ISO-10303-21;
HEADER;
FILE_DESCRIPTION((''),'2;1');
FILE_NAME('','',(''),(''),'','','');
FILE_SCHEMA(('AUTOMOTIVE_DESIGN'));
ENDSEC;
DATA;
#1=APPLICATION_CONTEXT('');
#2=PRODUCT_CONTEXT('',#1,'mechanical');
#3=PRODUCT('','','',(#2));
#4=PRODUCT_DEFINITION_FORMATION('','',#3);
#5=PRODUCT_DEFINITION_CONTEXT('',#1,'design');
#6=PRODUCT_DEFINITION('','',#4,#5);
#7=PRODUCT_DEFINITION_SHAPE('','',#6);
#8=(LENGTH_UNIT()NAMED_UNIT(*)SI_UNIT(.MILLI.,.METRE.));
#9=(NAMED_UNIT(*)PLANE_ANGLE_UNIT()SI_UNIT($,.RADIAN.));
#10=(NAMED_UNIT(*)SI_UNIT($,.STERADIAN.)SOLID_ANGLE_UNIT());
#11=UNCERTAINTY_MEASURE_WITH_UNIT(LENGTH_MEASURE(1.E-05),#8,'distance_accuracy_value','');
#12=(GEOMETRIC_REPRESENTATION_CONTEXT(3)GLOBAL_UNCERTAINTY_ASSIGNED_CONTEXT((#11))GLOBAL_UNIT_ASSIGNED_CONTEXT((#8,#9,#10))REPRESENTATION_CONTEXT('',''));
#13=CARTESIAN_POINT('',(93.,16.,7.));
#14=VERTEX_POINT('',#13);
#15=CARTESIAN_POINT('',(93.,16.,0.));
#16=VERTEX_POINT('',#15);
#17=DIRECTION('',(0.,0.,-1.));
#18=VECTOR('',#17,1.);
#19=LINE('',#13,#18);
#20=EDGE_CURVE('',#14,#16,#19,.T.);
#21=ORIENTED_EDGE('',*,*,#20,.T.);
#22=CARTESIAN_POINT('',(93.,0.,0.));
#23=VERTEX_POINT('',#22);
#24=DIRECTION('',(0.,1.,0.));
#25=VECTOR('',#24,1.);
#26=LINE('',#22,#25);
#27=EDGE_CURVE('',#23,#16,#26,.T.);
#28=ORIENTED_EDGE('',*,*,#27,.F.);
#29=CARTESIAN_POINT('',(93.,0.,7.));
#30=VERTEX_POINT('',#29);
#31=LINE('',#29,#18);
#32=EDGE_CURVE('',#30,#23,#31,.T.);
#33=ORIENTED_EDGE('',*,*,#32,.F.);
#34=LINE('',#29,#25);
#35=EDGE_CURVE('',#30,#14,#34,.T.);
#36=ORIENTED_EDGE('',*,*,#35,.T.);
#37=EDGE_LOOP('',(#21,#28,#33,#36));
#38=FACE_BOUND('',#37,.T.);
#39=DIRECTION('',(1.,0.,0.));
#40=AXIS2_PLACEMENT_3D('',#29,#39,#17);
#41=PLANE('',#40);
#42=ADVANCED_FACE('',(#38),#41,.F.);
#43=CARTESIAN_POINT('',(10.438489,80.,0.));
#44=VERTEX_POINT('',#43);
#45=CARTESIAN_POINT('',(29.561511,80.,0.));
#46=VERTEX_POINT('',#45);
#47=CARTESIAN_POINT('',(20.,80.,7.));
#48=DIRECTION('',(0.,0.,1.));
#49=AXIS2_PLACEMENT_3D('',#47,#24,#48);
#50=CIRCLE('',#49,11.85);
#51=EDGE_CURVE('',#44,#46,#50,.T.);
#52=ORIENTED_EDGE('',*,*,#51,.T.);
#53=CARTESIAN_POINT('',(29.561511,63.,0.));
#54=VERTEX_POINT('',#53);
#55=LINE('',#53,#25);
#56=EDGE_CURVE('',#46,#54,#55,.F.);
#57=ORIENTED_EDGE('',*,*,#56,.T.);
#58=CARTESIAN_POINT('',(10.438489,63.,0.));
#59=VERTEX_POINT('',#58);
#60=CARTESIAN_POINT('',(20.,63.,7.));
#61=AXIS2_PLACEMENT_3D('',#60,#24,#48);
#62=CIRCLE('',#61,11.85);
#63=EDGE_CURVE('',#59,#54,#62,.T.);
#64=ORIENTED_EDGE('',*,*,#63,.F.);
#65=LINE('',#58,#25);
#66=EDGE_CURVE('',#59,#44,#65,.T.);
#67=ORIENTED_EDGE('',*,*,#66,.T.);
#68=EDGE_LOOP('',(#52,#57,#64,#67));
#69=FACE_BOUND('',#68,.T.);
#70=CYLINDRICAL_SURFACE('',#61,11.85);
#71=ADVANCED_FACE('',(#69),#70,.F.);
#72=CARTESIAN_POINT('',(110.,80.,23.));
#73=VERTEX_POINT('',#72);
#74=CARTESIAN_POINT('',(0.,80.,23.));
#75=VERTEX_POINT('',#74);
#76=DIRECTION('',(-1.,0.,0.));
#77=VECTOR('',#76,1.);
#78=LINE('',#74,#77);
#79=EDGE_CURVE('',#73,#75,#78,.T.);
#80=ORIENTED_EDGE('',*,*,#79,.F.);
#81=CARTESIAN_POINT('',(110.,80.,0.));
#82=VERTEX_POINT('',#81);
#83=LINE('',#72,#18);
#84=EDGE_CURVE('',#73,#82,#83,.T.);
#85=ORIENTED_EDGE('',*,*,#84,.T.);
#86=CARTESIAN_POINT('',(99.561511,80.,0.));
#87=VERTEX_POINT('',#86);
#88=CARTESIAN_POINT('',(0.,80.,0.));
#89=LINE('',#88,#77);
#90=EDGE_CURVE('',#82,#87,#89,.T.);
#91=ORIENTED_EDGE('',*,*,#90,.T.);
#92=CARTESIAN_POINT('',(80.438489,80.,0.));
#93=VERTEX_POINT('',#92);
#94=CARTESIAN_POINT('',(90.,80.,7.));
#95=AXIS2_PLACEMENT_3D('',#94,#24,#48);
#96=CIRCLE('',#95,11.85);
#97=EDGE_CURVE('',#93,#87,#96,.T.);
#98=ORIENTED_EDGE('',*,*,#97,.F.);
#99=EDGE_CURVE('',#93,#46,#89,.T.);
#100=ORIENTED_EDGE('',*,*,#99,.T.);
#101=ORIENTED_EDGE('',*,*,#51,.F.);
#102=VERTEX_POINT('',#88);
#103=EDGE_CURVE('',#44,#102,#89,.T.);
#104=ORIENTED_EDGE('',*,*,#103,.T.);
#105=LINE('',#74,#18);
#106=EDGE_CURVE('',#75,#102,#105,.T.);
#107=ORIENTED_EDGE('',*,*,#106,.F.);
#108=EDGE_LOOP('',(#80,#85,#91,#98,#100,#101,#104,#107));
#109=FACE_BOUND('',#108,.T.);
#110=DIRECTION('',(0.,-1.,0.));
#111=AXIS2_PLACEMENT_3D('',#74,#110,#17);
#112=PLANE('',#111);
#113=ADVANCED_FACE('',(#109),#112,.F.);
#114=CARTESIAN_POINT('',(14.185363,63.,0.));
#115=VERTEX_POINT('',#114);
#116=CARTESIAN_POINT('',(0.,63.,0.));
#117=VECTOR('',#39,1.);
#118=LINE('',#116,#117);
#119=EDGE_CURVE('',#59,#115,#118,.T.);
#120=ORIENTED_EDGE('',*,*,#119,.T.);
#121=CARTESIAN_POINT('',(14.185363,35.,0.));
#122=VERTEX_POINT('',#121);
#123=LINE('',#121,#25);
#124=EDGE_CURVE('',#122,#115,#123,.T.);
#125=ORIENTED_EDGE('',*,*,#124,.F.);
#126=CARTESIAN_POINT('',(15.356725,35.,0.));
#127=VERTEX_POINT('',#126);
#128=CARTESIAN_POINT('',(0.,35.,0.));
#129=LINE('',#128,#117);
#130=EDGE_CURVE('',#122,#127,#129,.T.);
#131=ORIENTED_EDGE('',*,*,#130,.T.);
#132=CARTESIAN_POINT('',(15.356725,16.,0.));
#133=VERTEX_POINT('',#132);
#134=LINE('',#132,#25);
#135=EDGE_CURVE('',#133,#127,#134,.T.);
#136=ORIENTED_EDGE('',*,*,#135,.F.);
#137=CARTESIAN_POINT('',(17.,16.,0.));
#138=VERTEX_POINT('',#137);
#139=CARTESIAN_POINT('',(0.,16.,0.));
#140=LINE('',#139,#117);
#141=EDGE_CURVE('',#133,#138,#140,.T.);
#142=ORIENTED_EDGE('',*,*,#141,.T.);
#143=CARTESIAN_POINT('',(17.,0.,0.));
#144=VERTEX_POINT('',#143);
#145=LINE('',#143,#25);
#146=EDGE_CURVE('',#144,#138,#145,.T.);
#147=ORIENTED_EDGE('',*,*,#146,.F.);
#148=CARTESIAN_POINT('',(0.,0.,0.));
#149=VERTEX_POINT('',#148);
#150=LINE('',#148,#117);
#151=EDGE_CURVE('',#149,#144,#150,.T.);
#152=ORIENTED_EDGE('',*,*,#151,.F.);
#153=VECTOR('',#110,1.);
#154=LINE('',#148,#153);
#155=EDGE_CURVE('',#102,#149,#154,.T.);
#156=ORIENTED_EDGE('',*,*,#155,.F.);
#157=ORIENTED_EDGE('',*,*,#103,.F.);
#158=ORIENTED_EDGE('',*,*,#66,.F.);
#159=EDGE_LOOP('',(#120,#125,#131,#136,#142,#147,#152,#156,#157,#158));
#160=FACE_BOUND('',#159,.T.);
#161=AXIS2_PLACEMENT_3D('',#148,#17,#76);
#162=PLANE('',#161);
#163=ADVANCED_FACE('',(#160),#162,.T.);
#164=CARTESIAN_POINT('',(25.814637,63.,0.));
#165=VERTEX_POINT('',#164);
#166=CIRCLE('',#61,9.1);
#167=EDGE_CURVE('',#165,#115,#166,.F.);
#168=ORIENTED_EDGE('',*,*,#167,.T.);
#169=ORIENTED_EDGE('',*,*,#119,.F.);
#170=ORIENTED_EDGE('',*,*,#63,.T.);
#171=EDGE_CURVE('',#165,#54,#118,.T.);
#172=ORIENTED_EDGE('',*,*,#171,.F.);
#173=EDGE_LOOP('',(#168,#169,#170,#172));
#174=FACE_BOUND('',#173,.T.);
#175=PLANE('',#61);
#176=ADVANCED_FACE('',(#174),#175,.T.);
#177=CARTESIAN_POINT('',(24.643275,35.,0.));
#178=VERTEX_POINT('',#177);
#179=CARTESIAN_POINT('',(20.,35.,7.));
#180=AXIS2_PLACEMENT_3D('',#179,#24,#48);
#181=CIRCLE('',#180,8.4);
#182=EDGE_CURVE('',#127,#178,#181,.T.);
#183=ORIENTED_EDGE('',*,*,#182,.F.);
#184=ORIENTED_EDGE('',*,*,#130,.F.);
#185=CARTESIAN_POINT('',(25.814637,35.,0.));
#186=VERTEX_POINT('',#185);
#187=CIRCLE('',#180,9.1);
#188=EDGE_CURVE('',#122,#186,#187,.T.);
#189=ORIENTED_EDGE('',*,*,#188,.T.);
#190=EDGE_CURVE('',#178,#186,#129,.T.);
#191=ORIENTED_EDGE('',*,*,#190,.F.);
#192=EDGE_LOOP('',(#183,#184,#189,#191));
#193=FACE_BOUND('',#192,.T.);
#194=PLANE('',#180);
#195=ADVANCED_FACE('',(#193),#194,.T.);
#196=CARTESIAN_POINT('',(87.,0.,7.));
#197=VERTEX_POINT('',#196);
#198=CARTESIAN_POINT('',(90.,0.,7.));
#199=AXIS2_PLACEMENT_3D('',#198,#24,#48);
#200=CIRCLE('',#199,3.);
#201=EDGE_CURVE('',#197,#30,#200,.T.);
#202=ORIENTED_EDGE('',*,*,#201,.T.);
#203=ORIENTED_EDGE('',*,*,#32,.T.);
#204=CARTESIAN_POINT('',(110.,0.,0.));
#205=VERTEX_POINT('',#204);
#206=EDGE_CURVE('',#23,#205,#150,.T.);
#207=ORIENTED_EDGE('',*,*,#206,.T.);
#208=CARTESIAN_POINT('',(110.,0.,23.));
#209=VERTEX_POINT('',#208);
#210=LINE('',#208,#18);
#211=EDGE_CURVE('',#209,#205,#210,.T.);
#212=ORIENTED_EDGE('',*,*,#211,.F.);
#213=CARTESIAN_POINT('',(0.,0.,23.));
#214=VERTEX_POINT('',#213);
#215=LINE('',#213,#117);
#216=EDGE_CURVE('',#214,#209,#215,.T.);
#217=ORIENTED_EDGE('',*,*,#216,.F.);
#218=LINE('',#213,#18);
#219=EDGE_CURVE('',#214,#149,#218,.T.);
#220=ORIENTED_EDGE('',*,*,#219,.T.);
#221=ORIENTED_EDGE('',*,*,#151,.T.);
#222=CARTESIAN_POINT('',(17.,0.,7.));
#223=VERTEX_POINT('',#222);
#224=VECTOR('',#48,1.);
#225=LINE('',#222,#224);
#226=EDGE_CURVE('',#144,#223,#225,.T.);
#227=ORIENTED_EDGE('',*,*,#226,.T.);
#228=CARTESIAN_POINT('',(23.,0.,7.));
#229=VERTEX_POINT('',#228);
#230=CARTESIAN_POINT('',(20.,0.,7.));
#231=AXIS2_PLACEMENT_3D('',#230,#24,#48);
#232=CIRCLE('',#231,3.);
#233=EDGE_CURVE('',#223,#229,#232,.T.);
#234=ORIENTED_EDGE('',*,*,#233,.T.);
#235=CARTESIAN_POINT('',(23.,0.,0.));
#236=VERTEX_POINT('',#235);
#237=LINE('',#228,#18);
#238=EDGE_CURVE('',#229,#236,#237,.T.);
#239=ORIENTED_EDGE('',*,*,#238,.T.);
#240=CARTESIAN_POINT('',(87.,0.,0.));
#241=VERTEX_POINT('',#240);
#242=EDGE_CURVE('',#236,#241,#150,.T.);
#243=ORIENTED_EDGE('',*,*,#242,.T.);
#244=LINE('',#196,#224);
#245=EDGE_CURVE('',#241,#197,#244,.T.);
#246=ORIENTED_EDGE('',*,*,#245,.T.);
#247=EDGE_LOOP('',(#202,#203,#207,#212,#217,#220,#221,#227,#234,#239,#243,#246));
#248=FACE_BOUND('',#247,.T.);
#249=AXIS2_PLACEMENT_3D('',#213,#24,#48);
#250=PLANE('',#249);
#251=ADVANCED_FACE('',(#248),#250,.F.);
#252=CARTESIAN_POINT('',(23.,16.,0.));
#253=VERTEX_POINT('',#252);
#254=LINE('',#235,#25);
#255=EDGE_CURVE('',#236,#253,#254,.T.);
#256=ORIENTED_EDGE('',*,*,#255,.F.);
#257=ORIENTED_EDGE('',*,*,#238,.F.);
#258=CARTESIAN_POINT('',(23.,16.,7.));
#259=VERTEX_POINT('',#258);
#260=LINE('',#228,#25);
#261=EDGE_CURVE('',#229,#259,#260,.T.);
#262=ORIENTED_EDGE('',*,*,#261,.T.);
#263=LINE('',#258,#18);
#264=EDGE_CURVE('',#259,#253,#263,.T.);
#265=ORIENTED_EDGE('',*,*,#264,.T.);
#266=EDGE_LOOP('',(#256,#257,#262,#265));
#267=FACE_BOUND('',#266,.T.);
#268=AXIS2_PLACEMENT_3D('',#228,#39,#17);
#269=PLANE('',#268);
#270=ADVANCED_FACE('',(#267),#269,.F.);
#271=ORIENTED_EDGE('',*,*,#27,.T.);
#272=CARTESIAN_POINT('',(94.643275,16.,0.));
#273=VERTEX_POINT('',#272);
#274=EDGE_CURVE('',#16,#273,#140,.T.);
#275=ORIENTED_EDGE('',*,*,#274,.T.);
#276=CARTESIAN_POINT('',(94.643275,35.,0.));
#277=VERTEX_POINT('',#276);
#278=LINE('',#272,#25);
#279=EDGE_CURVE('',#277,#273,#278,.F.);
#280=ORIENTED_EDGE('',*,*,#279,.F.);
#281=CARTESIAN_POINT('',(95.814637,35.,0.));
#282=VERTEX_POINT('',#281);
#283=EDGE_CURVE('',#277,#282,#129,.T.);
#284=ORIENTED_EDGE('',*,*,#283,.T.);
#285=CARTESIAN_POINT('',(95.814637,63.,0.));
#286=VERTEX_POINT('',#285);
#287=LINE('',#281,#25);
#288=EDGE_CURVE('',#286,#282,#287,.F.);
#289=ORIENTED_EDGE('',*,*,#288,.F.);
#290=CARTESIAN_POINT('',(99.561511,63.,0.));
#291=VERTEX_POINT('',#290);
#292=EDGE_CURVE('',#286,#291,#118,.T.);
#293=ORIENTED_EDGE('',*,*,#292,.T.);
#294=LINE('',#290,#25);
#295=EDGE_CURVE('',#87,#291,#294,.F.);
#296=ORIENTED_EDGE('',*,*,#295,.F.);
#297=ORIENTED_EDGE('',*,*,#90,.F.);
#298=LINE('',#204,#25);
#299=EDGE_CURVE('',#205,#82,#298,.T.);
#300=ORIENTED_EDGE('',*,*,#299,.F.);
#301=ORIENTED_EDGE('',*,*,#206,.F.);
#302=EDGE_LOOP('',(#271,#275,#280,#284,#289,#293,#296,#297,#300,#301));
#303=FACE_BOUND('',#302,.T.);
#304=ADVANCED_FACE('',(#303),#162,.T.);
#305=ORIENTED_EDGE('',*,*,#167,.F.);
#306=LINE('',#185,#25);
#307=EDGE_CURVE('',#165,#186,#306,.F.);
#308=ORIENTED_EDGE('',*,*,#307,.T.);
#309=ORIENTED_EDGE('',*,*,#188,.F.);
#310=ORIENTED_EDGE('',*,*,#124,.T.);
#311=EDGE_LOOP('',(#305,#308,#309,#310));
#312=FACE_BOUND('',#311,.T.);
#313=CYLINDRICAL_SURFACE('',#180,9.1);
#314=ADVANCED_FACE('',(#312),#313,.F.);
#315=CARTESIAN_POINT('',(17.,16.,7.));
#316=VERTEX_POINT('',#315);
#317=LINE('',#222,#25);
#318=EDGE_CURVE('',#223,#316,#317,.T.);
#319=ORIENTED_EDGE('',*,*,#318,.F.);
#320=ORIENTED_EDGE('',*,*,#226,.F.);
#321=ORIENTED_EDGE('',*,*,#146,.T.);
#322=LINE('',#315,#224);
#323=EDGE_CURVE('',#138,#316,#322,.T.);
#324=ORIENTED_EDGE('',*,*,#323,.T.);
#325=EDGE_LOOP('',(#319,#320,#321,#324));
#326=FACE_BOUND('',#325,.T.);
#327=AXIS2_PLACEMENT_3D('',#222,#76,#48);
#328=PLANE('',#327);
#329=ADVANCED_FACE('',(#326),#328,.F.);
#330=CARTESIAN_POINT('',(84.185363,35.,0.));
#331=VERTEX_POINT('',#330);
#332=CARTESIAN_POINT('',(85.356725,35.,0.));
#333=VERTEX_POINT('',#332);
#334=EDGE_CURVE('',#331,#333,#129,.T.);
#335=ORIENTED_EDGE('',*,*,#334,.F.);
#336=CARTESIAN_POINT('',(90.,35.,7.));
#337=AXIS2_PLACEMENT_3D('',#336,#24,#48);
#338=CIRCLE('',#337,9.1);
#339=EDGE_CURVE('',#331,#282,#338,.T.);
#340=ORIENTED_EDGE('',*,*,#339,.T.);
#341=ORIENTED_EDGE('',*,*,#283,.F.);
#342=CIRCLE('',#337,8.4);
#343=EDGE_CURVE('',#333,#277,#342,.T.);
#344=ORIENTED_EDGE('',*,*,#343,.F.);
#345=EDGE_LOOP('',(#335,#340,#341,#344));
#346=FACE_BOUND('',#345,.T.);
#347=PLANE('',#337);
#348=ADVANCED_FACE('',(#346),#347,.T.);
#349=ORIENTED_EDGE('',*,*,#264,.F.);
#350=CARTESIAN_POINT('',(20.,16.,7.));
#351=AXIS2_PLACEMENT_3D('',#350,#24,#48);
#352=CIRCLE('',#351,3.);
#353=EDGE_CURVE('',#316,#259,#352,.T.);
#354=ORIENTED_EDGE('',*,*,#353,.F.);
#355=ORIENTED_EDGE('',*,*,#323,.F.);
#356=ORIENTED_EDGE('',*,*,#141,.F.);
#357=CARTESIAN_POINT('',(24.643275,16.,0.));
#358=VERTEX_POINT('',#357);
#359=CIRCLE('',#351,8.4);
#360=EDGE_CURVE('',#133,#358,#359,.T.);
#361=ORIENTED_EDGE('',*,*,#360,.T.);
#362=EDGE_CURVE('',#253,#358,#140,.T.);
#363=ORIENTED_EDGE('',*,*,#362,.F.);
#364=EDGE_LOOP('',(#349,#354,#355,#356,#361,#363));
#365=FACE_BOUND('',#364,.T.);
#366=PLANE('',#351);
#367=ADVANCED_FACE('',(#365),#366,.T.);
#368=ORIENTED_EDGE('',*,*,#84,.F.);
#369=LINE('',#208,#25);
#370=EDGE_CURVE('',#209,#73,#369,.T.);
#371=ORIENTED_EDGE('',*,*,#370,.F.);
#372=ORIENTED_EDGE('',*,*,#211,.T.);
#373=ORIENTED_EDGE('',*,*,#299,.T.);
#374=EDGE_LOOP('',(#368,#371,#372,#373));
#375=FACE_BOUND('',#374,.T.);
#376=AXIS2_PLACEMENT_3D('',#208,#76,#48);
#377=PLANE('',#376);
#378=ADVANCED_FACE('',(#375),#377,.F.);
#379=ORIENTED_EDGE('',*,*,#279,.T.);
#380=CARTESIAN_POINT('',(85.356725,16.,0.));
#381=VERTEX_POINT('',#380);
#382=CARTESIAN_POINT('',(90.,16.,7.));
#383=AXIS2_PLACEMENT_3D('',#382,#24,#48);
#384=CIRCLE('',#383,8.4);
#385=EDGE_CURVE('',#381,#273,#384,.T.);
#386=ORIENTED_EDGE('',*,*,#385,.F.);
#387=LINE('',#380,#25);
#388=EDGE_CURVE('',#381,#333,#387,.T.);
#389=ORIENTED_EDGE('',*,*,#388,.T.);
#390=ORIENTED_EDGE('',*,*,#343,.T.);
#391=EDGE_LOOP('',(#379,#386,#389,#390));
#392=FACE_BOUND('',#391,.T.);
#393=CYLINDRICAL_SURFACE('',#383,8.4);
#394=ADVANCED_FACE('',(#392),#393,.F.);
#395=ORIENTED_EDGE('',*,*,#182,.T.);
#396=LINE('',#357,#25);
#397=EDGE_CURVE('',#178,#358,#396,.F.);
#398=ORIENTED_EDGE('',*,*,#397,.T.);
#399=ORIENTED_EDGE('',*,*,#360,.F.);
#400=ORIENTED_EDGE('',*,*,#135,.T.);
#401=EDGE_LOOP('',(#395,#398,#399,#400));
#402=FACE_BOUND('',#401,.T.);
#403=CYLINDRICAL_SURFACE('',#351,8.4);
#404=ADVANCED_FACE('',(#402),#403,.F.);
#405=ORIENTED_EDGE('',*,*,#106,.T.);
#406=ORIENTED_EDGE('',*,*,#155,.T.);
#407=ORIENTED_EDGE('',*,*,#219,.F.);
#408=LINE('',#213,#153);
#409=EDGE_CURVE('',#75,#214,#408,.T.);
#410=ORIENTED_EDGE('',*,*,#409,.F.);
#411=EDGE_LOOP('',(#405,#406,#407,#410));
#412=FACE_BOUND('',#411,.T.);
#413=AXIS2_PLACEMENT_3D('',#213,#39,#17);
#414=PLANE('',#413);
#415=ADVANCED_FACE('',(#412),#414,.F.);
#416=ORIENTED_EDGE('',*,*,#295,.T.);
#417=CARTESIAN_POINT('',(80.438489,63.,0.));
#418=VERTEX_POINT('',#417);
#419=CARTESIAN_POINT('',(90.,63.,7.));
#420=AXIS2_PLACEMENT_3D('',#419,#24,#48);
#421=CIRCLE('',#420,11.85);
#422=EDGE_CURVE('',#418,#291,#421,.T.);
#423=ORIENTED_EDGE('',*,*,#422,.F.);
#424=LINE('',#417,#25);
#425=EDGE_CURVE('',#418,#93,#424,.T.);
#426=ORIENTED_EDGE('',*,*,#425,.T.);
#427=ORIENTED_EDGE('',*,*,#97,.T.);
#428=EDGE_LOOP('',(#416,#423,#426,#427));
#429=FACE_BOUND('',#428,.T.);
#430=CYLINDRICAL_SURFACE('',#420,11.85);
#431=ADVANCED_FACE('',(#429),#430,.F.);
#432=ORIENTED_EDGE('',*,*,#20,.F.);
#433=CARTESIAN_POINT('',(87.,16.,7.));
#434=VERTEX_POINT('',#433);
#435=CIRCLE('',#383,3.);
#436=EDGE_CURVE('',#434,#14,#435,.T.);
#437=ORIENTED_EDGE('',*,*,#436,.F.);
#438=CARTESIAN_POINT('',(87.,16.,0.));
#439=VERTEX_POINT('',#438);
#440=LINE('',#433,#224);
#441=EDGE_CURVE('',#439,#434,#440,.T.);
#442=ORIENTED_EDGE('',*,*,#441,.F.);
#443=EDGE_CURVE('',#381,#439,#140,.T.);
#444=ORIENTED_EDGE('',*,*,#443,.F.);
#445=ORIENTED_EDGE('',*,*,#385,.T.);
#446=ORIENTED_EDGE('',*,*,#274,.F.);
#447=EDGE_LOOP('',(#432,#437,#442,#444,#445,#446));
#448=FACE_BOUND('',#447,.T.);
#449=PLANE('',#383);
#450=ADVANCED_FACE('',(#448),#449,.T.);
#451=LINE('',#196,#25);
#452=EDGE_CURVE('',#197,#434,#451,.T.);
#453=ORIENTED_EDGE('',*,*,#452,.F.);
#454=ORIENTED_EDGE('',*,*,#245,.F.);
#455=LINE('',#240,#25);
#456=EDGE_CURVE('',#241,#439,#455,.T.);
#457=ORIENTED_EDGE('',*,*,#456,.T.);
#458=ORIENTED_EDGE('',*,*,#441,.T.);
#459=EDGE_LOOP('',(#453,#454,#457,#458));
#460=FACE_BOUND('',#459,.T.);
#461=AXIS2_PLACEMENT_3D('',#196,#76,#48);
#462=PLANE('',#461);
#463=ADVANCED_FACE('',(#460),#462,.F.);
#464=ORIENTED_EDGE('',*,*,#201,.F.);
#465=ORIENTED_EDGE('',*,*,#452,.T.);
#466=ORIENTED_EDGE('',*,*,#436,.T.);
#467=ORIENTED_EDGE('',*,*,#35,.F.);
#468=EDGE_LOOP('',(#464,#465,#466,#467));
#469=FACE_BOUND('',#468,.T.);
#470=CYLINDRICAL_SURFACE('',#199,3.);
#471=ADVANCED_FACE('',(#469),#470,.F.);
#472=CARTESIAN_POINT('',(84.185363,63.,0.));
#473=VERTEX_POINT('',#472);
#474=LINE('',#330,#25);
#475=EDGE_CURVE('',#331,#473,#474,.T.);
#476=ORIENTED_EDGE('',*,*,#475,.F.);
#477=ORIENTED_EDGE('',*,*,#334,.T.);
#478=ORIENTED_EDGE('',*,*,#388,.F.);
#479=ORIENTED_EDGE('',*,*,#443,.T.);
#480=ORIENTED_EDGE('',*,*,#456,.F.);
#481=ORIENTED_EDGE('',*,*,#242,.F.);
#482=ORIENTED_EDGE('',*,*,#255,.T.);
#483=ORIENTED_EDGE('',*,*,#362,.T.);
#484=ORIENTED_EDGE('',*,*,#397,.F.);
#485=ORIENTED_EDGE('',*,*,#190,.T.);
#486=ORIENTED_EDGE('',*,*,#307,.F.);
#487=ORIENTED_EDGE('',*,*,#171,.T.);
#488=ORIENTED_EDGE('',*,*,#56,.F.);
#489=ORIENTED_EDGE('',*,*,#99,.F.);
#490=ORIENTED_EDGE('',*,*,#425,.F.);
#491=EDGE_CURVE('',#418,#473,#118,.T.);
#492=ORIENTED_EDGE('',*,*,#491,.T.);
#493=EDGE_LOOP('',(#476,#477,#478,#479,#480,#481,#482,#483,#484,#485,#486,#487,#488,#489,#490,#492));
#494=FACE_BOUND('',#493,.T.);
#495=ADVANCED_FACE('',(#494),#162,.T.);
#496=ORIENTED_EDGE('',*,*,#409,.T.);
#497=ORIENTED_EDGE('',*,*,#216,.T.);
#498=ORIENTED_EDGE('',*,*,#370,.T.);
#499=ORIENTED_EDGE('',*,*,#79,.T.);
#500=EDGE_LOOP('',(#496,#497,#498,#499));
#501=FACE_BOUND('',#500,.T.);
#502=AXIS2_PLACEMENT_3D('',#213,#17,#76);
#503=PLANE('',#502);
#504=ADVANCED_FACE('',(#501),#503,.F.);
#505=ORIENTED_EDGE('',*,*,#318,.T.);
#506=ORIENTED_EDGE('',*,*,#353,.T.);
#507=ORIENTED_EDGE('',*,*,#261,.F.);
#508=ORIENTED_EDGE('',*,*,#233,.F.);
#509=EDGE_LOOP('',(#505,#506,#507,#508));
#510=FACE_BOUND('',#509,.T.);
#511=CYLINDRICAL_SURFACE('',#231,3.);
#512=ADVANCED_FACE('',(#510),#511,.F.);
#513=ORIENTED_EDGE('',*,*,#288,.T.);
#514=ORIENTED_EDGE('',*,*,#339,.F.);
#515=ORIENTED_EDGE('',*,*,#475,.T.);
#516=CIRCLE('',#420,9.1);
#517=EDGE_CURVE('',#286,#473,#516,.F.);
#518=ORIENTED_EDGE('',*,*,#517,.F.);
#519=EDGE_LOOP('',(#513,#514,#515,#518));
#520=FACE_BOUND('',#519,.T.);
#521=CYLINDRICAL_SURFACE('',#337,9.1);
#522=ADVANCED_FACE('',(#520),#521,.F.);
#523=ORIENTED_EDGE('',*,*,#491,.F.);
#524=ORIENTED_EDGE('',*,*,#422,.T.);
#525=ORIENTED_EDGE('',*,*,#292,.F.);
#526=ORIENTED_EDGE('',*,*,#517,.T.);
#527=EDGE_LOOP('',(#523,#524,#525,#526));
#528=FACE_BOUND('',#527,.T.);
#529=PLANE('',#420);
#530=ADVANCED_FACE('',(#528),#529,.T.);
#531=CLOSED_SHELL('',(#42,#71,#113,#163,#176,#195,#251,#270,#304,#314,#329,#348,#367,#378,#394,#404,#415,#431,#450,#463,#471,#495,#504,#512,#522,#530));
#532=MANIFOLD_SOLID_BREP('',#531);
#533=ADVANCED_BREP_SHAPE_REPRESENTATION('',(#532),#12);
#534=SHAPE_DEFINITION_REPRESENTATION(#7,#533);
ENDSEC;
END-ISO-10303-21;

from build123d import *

# Parameters (mm, degrees)
SKETCH2_W                    = 110
SKETCH2_H                    = 80
BOSS_EXTRUDE1_DEPTH          = 23
SKETCH3_R                    = 9.1
THREAD_EXTRUDE_DEPTH         = 45
SKETCH5_R                    = 11.85
NUT_EXTRUDE_DEPTH            = 17
SKETCH6_R                    = 8.4
MINOR_DIANETER_EXTRUDE_DEPTH = 64
CABLE_EXTRUDE_DEPTH          = 138.945641468


with BuildPart() as part:
    # Sketch2 → Boss-Extrude1 (new body)
    with BuildSketch(Plane.XY):
        with Locations((55, 40)):
            Rectangle(SKETCH2_W, SKETCH2_H)
    extrude(amount=BOSS_EXTRUDE1_DEPTH)

    # Sketch3 → Thread extrude (cut)
    with BuildSketch(Plane(origin=(0, 80, 0), x_dir=(1, 0, 0), z_dir=(0, 1, 0))):
        with Locations((20, -7)):
            Circle(SKETCH3_R)
        with Locations((90, -7)):
            Circle(SKETCH3_R)
    extrude(amount=-THREAD_EXTRUDE_DEPTH, mode=Mode.SUBTRACT)

    # Sketch5 → Nut extrude (cut)
    with BuildSketch(Plane(origin=(0, 80, 0), x_dir=(1, 0, 0), z_dir=(0, 1, 0))):
        with Locations((20, -7)):
            Circle(SKETCH5_R)
        with Locations((90, -7)):
            Circle(SKETCH5_R)
    extrude(amount=-NUT_EXTRUDE_DEPTH, mode=Mode.SUBTRACT)

    # Sketch6 → minor dianeter extrude (cut)
    with BuildSketch(Plane(origin=(0, 80, 0), x_dir=(1, 0, 0), z_dir=(0, 1, 0))):
        with Locations((20, -7)):
            Circle(SKETCH6_R)
        with Locations((90, -7)):
            Circle(SKETCH6_R)
    extrude(amount=-MINOR_DIANETER_EXTRUDE_DEPTH, mode=Mode.SUBTRACT)

    # Sketch4 → Cable extrude (cut, through all)
    with BuildSketch(Plane(origin=(0, 80, 0), x_dir=(1, 0, 0), z_dir=(0, 1, 0))):
        with BuildLine():
            Line((17, -7), (17, 0))
            Line((17, 0), (23, 0))
            Line((23, 0), (23, -7))
            ThreePointArc((23, -7), (20, -10), (17, -7))
        make_face()
        with BuildLine():
            Line((87, -7), (87, 0))
            Line((87, 0), (93, 0))
            Line((93, 0), (93, -7))
            ThreePointArc((93, -7), (90, -10), (87, -7))
        make_face()
    extrude(amount=-CABLE_EXTRUDE_DEPTH, mode=Mode.SUBTRACT)


solid = part.part
